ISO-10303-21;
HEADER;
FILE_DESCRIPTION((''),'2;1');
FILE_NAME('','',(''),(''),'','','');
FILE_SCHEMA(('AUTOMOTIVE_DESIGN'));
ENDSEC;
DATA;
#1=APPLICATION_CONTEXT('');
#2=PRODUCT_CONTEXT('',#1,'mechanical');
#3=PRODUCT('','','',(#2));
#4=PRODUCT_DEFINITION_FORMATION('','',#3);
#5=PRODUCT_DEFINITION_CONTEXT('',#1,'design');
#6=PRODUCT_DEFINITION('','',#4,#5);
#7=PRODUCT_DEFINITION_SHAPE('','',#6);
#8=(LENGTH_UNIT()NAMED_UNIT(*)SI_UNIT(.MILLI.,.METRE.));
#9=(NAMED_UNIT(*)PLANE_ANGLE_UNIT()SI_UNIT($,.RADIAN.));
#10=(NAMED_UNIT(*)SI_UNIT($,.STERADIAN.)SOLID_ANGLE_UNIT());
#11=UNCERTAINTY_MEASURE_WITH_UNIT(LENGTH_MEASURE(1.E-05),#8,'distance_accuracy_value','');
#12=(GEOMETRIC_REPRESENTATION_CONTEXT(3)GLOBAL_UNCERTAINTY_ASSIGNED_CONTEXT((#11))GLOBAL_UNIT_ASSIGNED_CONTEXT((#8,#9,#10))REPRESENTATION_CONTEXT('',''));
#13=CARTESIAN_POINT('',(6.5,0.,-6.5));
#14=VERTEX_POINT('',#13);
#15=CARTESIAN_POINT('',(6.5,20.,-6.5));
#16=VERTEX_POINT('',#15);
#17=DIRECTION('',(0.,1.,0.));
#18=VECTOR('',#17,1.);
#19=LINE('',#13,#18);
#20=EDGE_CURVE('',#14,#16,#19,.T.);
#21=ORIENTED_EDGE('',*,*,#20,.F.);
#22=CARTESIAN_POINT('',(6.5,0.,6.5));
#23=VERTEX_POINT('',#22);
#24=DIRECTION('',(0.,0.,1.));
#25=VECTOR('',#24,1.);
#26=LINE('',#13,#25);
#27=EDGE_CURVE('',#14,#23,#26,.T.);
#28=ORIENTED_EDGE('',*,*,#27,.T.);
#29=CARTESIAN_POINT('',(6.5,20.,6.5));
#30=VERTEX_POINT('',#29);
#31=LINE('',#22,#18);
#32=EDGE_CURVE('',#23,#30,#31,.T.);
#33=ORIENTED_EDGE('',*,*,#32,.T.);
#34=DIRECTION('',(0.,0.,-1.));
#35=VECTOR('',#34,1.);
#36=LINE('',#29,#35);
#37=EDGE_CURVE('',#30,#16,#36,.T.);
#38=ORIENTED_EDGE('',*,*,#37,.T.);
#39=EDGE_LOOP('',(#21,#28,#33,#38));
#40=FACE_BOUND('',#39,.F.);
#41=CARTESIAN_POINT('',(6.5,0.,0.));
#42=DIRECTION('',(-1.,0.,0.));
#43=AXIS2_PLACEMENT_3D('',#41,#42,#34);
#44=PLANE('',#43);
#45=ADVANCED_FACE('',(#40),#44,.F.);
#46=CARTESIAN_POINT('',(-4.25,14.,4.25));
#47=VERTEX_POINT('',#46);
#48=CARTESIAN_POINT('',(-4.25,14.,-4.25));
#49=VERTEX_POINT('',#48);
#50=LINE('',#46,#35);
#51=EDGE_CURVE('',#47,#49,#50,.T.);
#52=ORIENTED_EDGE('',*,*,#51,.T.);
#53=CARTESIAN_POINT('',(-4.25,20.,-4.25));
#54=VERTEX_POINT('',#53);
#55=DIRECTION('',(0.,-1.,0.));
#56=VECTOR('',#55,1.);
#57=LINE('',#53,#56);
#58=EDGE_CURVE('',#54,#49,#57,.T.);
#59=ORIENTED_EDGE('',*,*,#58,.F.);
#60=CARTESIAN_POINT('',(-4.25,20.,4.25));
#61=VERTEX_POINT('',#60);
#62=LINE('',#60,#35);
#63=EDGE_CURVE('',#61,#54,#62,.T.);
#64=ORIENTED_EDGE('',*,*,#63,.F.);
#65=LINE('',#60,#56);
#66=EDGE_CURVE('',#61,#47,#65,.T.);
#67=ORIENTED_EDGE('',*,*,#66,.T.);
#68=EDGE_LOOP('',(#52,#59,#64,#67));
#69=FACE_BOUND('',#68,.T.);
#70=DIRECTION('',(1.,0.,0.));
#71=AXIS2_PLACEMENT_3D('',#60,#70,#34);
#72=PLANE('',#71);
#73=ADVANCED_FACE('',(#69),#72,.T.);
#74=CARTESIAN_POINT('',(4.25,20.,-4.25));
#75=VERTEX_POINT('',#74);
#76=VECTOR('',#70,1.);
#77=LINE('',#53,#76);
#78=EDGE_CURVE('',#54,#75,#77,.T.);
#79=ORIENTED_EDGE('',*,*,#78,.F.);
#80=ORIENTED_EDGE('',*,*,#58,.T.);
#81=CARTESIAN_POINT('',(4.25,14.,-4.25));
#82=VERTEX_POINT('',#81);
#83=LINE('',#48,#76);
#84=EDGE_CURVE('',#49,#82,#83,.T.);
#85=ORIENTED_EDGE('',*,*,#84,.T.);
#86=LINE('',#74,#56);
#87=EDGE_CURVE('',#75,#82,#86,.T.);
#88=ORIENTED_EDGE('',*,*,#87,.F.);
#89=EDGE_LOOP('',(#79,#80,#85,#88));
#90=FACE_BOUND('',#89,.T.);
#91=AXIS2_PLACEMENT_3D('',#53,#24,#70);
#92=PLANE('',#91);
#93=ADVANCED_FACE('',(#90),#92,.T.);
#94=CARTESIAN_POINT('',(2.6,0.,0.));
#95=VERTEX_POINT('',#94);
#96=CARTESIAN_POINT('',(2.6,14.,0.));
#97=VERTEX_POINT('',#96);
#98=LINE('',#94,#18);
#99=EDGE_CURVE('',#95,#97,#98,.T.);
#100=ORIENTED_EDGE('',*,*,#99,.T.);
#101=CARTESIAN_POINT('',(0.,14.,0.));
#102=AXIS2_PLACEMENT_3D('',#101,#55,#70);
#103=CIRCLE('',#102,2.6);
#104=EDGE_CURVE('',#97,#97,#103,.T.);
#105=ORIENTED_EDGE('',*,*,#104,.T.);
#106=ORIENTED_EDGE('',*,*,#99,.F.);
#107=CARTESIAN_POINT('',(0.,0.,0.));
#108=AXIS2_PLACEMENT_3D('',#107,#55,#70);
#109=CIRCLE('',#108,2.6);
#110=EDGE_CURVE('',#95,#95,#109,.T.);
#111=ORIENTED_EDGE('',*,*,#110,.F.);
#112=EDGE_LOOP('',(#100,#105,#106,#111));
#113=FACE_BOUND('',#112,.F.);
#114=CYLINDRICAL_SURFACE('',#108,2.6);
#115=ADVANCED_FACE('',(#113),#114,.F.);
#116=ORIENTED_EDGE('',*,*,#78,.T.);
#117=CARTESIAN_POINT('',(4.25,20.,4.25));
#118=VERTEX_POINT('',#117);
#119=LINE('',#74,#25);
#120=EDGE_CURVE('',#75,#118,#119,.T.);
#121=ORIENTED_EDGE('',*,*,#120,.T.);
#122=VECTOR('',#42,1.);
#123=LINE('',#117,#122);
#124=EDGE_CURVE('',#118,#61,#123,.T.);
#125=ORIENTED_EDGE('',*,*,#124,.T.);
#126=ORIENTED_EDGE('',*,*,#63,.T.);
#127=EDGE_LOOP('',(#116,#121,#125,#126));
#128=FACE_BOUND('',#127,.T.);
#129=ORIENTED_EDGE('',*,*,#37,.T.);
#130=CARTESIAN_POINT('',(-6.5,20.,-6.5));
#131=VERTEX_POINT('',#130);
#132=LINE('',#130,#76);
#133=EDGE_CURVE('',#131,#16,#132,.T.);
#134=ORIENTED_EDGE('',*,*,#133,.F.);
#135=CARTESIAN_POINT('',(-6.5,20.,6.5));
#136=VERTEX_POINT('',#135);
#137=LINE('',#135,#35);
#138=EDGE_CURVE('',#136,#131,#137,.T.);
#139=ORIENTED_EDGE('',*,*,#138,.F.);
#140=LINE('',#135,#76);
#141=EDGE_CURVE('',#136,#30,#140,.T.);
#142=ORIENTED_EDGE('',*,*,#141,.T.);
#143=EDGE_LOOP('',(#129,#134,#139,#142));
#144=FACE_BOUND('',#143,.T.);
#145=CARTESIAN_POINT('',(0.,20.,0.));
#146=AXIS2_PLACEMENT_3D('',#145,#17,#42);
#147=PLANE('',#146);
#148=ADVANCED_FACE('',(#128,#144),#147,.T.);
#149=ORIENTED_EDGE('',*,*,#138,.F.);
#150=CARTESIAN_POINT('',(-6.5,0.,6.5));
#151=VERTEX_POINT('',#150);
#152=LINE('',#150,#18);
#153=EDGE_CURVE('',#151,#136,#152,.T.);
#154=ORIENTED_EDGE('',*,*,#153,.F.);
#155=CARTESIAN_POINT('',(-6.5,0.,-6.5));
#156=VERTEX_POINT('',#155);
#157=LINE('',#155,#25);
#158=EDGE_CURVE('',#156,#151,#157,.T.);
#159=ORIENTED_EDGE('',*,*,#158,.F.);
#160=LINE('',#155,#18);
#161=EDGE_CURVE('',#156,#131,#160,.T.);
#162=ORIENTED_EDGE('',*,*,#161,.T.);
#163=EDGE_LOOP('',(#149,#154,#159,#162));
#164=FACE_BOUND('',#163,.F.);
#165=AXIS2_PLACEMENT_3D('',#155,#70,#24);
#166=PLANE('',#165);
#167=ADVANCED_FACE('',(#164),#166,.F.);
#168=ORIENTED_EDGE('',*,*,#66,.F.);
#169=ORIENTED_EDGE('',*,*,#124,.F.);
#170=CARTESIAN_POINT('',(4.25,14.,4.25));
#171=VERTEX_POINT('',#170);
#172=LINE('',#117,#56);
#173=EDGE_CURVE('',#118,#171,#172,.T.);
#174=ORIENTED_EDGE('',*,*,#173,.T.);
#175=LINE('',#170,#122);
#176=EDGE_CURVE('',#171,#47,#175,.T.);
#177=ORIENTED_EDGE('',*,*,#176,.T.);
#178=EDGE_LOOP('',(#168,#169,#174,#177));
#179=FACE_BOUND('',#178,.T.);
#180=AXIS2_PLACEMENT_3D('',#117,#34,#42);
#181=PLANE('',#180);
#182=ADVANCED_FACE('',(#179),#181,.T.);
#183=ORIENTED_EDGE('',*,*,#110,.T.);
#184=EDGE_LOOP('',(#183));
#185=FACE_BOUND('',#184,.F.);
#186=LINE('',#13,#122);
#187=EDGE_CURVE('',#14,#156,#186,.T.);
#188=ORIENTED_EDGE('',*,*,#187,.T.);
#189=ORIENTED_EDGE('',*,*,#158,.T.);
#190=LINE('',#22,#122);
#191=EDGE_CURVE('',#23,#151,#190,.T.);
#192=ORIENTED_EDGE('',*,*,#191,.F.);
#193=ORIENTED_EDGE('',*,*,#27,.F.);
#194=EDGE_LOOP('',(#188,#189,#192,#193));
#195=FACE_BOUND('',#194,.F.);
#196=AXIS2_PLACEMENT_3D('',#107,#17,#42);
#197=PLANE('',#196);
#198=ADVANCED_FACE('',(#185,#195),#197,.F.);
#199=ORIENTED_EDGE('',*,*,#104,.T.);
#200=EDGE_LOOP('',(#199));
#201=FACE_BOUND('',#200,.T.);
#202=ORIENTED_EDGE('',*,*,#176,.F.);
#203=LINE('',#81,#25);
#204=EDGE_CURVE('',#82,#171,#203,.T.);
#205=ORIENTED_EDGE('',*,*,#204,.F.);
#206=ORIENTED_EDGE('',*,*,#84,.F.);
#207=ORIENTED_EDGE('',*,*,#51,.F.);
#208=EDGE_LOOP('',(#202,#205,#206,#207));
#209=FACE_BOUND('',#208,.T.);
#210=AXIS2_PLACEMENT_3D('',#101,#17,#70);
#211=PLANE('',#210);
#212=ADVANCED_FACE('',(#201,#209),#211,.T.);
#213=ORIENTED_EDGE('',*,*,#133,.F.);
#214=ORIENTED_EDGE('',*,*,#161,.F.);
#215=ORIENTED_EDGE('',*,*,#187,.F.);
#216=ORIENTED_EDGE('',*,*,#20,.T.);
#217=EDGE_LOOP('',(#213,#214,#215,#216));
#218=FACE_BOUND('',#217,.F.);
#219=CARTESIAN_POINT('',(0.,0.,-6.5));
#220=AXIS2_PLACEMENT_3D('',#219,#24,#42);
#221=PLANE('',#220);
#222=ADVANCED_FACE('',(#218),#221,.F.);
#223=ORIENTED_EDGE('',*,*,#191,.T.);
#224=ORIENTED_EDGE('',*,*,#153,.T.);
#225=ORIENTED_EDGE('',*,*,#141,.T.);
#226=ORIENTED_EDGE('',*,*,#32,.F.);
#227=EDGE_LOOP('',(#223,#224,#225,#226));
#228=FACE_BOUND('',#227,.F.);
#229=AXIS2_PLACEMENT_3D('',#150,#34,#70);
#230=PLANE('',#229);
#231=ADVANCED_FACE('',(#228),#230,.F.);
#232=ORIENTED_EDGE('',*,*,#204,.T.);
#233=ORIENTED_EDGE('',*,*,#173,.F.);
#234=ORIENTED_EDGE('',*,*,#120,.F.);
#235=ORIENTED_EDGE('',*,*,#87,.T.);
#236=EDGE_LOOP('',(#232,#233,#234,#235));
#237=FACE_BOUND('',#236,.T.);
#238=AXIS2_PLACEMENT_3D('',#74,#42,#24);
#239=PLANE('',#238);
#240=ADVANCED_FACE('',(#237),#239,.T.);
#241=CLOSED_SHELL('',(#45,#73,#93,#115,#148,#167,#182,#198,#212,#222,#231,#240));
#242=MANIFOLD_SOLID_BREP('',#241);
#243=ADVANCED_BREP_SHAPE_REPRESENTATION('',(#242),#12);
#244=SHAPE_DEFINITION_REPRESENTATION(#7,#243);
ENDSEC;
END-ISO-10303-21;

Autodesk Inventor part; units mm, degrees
ref_plane "YZ Plane" through (0, 0, 0) normal (1, 0, 0) x (0, 1, 0)
ref_plane "XZ Plane" through (0, 0, 0) normal (0, 1, 0) x (-1, 0, 0)
ref_plane "XY Plane" through (0, 0, 0) normal (0, 0, 1) x (1, 0, 0)
sketch "Sketch1" plane through (0, 0, 0) normal (0, 1, 0) x (-1, 0, 0)
  line L0 (14.4237, 0) -> (-15, 0)
  line L1 (0, 25) -> (0, -25.6825)
  line L2 (6.5, 6.5) -> (-6.5, 6.5)
  line L3 (-6.5, 6.5) -> (-6.5, -6.5)
  line L4 (-6.5, -6.5) -> (6.5, -6.5)
  line L5 (6.5, -6.5) -> (6.5, 6.5)
  point P0 (0, 0)
  dimension "d0" = 13
  dimension "d1" = 0
  dimension "d10" = 0
extrude "Body" add sketch "Sketch1" along normal blind 20
sketch "Sketch2" plane through (0, 0, 0) normal (0, -1, 0) x (1, 0, 0)
  circle A0 centre (0, 0) radius 2.6
  dimension "d4" = 5.2
extrude "Screw Thread Hole" cut sketch "Sketch2" against normal through all
sketch "Sketch3" plane through (0, 20, 0) normal (0, 1, 0) x (1, 0, 0)
  line L0 (4.25, -4.25) -> (-4.25, -4.25)
  line L1 (-4.25, -4.25) -> (-4.25, 4.25)
  line L2 (-4.25, 4.25) -> (4.25, 4.25)
  line L3 (4.25, 4.25) -> (4.25, -4.25)
  line L4 (4.25, -4.25) -> (-4.25, 4.25) construction
  line L5 (-4.25, -4.25) -> (4.25, 4.25) construction
  point P0 (0, 0)
  dimension "d11" = 8.5
extrude "Connector" cut sketch "Sketch3" against normal blind 6
properties part number "Screw Port 6_8"
